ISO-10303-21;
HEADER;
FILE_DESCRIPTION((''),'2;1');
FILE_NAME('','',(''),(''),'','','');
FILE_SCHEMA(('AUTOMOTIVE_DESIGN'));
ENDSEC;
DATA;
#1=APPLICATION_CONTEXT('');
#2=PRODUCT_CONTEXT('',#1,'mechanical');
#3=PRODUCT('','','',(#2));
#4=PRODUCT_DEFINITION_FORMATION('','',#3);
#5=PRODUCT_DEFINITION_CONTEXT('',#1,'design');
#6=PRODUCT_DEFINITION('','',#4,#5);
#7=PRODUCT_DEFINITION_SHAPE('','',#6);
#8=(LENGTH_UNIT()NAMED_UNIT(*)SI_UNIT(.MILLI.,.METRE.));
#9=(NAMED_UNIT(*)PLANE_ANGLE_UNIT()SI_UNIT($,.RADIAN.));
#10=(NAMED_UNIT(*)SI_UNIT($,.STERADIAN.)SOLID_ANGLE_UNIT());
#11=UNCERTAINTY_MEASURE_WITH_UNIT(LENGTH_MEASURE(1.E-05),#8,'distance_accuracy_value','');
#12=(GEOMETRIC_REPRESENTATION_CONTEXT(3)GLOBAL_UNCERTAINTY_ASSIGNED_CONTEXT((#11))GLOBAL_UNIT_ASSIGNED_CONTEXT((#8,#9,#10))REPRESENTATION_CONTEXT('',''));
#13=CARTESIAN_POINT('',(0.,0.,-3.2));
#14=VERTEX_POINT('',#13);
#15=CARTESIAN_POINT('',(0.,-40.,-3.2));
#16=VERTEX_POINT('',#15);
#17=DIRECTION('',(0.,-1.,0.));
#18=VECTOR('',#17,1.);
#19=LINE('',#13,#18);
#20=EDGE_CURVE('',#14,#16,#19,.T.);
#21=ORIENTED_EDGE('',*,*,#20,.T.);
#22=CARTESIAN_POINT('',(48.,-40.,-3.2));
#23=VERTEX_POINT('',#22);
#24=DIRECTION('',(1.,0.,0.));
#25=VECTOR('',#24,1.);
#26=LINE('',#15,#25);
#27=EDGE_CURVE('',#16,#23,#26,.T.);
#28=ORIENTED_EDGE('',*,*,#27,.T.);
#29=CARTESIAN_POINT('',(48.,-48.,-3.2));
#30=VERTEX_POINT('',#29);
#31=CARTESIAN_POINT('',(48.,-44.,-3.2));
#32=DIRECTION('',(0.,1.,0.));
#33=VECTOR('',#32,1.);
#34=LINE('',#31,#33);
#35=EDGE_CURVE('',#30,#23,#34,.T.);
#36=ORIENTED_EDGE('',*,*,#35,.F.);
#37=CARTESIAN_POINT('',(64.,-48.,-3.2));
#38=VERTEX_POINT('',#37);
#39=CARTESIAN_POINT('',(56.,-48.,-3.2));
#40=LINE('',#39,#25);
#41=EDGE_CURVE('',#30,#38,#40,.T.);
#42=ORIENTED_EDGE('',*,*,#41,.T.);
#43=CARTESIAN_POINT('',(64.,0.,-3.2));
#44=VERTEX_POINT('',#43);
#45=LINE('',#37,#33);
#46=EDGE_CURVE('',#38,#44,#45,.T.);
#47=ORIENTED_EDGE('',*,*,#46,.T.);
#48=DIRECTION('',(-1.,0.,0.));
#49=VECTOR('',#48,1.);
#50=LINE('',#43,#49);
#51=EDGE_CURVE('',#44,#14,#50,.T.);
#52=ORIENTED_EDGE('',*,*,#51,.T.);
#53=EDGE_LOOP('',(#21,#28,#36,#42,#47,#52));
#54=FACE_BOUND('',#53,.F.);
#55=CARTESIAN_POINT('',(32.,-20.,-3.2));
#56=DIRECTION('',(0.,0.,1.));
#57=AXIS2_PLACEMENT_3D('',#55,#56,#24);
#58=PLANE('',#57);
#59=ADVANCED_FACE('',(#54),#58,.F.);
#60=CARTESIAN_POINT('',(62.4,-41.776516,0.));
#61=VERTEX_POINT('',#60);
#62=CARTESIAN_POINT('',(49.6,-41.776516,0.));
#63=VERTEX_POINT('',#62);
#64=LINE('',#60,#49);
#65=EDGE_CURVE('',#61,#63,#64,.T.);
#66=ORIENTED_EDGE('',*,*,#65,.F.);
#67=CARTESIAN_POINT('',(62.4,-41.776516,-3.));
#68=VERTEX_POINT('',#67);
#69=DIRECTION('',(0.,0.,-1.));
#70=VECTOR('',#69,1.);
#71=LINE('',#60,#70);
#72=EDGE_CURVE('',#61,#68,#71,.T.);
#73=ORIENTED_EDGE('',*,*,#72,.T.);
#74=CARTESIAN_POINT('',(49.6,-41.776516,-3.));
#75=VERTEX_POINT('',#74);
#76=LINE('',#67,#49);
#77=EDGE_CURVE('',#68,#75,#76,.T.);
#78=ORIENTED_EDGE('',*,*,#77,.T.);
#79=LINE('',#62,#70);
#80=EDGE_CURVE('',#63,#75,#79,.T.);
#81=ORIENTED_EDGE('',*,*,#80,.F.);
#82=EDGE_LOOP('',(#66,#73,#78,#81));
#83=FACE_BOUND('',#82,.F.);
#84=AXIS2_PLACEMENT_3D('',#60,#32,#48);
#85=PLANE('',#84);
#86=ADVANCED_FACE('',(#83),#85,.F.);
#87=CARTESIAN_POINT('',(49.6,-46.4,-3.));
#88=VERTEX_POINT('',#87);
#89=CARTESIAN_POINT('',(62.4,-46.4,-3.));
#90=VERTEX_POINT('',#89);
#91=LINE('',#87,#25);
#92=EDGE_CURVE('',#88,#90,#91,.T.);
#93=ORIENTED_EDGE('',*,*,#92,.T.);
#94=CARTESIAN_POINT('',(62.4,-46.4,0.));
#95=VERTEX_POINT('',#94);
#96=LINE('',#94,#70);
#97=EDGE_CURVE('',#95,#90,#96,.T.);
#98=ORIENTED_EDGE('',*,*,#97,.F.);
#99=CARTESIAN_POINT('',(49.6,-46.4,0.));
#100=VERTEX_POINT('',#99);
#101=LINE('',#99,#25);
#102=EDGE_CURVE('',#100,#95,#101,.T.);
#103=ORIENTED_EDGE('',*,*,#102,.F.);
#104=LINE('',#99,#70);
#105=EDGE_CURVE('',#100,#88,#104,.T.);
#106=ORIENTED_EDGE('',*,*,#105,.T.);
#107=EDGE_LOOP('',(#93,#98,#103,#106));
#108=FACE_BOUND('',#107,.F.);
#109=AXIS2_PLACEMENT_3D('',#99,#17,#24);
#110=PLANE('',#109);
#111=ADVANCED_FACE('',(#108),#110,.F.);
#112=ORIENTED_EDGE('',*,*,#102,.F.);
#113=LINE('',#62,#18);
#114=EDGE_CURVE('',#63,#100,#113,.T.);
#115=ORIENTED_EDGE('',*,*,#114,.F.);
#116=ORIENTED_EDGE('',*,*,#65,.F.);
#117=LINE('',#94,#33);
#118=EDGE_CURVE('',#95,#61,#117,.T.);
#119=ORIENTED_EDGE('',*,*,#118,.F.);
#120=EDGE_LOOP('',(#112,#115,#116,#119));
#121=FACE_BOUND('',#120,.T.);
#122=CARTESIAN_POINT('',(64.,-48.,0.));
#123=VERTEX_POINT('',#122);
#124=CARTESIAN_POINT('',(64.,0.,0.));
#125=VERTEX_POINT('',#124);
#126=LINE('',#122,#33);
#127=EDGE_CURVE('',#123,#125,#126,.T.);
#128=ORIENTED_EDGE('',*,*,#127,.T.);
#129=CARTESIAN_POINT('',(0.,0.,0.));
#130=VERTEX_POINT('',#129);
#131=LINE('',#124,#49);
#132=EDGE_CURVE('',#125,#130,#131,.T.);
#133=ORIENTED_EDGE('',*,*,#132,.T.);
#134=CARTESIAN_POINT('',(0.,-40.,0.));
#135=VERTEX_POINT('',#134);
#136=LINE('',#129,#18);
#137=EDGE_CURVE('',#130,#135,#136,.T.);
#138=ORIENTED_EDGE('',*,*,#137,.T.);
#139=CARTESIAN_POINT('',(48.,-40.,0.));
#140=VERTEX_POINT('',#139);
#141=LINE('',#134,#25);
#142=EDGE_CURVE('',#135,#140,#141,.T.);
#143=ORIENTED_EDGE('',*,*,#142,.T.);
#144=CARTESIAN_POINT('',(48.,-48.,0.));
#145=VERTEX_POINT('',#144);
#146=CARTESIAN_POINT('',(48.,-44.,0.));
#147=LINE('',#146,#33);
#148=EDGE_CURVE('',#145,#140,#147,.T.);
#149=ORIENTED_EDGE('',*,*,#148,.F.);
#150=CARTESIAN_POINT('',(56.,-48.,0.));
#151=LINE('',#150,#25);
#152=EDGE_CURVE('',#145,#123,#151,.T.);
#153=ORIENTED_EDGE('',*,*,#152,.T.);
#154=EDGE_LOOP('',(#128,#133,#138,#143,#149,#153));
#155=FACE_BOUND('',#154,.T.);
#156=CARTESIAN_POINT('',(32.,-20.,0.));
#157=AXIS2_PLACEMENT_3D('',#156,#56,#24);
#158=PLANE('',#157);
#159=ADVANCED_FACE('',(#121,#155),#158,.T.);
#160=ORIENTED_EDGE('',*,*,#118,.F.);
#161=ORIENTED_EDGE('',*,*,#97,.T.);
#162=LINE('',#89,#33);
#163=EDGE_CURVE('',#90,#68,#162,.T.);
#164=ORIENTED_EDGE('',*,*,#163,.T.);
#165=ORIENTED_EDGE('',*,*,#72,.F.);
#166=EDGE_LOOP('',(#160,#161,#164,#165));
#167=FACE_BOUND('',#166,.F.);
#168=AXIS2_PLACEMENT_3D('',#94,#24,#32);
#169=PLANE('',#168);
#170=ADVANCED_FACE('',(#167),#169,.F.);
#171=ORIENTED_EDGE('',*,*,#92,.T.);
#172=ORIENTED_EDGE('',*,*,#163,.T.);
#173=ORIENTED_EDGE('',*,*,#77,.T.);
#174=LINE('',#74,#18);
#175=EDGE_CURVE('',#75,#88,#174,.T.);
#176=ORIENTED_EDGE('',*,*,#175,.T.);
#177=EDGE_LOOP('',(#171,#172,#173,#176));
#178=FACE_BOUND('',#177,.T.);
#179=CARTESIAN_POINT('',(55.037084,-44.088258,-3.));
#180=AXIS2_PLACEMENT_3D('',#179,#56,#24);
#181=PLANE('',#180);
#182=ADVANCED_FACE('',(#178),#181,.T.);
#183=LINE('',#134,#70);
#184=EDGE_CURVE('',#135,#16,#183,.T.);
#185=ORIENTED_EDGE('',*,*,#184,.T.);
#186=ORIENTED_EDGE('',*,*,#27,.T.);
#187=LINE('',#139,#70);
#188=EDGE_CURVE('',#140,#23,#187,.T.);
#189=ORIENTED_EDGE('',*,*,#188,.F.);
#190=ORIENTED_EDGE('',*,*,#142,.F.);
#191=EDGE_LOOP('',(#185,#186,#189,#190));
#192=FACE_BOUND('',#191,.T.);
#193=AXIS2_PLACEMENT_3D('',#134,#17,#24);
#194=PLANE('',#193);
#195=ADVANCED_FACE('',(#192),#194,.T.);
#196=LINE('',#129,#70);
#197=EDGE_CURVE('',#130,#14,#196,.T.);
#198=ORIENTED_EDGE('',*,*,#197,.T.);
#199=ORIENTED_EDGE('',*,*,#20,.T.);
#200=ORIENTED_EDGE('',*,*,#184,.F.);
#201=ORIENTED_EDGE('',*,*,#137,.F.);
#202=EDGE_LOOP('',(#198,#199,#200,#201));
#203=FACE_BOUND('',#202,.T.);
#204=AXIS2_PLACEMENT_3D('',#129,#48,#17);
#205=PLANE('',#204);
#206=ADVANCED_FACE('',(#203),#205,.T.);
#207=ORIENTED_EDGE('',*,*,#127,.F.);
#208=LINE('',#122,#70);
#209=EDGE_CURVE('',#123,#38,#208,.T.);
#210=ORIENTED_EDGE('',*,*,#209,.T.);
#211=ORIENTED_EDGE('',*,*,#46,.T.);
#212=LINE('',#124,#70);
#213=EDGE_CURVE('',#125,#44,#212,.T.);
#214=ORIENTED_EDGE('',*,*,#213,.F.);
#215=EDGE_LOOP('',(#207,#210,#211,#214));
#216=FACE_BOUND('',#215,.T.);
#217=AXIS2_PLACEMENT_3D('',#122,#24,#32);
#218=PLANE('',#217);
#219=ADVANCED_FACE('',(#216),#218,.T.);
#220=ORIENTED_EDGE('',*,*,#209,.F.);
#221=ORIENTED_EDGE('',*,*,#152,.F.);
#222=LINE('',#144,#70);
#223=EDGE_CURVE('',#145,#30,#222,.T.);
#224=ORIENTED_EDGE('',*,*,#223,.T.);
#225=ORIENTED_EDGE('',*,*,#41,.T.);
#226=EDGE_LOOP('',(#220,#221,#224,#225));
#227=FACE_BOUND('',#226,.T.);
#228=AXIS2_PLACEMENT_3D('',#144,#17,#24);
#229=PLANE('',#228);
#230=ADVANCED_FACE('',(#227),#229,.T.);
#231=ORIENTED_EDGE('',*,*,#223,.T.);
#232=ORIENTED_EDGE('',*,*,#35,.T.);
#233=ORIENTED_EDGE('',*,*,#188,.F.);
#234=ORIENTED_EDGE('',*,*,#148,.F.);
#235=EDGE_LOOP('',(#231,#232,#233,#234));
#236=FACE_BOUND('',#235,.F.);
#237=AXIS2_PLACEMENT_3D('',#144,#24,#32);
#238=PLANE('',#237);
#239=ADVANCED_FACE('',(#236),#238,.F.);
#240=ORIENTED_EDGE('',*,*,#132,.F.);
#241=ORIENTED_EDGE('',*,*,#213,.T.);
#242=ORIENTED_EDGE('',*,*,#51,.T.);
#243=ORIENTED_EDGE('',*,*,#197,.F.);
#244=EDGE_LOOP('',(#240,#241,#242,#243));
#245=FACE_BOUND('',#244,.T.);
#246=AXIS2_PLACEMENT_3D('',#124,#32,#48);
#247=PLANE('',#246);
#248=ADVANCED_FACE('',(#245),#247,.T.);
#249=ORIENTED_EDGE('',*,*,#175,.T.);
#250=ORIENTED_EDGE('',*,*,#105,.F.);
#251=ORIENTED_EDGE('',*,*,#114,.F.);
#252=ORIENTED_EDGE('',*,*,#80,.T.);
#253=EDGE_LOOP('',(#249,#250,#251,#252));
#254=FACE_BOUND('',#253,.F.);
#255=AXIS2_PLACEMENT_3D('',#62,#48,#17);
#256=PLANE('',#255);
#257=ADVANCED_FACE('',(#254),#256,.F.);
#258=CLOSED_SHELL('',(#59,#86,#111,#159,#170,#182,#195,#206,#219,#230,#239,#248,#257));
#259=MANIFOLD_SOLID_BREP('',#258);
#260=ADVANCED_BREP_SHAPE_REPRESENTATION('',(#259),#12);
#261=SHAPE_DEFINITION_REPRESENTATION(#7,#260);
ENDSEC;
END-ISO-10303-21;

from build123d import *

# Parameters (mm, degrees)
F0_W     = 16
F0_H     = 8
F1_DEPTH = 3.2
F3_DEPTH = 3


with BuildPart() as f1:
    # F0 (on Top) → F1 (new body)
    with BuildSketch(Plane.XY):
        Polygon((64, 0), (0, 0), (0, -40), (48, -40), (64, -40), align=None)
        with Locations((56, -44)):
            Rectangle(F0_W, F0_H)
    extrude(amount=-F1_DEPTH)

    # F2 (on face) → F3 (cut)
    with BuildSketch(Plane.XY):
        Polygon((49.6, -44), (49.6, -46.4), (60.474169, -46.4), (60.474169, -41.776516), (49.6, -41.776516), align=None)
        Polygon((60.474169, -41.776516), (60.474169, -46.4), (62.4, -46.4), (62.4, -43.71665), (62.4, -41.776516), align=None)
    extrude(amount=-F3_DEPTH, mode=Mode.SUBTRACT)


solid = f1.part
